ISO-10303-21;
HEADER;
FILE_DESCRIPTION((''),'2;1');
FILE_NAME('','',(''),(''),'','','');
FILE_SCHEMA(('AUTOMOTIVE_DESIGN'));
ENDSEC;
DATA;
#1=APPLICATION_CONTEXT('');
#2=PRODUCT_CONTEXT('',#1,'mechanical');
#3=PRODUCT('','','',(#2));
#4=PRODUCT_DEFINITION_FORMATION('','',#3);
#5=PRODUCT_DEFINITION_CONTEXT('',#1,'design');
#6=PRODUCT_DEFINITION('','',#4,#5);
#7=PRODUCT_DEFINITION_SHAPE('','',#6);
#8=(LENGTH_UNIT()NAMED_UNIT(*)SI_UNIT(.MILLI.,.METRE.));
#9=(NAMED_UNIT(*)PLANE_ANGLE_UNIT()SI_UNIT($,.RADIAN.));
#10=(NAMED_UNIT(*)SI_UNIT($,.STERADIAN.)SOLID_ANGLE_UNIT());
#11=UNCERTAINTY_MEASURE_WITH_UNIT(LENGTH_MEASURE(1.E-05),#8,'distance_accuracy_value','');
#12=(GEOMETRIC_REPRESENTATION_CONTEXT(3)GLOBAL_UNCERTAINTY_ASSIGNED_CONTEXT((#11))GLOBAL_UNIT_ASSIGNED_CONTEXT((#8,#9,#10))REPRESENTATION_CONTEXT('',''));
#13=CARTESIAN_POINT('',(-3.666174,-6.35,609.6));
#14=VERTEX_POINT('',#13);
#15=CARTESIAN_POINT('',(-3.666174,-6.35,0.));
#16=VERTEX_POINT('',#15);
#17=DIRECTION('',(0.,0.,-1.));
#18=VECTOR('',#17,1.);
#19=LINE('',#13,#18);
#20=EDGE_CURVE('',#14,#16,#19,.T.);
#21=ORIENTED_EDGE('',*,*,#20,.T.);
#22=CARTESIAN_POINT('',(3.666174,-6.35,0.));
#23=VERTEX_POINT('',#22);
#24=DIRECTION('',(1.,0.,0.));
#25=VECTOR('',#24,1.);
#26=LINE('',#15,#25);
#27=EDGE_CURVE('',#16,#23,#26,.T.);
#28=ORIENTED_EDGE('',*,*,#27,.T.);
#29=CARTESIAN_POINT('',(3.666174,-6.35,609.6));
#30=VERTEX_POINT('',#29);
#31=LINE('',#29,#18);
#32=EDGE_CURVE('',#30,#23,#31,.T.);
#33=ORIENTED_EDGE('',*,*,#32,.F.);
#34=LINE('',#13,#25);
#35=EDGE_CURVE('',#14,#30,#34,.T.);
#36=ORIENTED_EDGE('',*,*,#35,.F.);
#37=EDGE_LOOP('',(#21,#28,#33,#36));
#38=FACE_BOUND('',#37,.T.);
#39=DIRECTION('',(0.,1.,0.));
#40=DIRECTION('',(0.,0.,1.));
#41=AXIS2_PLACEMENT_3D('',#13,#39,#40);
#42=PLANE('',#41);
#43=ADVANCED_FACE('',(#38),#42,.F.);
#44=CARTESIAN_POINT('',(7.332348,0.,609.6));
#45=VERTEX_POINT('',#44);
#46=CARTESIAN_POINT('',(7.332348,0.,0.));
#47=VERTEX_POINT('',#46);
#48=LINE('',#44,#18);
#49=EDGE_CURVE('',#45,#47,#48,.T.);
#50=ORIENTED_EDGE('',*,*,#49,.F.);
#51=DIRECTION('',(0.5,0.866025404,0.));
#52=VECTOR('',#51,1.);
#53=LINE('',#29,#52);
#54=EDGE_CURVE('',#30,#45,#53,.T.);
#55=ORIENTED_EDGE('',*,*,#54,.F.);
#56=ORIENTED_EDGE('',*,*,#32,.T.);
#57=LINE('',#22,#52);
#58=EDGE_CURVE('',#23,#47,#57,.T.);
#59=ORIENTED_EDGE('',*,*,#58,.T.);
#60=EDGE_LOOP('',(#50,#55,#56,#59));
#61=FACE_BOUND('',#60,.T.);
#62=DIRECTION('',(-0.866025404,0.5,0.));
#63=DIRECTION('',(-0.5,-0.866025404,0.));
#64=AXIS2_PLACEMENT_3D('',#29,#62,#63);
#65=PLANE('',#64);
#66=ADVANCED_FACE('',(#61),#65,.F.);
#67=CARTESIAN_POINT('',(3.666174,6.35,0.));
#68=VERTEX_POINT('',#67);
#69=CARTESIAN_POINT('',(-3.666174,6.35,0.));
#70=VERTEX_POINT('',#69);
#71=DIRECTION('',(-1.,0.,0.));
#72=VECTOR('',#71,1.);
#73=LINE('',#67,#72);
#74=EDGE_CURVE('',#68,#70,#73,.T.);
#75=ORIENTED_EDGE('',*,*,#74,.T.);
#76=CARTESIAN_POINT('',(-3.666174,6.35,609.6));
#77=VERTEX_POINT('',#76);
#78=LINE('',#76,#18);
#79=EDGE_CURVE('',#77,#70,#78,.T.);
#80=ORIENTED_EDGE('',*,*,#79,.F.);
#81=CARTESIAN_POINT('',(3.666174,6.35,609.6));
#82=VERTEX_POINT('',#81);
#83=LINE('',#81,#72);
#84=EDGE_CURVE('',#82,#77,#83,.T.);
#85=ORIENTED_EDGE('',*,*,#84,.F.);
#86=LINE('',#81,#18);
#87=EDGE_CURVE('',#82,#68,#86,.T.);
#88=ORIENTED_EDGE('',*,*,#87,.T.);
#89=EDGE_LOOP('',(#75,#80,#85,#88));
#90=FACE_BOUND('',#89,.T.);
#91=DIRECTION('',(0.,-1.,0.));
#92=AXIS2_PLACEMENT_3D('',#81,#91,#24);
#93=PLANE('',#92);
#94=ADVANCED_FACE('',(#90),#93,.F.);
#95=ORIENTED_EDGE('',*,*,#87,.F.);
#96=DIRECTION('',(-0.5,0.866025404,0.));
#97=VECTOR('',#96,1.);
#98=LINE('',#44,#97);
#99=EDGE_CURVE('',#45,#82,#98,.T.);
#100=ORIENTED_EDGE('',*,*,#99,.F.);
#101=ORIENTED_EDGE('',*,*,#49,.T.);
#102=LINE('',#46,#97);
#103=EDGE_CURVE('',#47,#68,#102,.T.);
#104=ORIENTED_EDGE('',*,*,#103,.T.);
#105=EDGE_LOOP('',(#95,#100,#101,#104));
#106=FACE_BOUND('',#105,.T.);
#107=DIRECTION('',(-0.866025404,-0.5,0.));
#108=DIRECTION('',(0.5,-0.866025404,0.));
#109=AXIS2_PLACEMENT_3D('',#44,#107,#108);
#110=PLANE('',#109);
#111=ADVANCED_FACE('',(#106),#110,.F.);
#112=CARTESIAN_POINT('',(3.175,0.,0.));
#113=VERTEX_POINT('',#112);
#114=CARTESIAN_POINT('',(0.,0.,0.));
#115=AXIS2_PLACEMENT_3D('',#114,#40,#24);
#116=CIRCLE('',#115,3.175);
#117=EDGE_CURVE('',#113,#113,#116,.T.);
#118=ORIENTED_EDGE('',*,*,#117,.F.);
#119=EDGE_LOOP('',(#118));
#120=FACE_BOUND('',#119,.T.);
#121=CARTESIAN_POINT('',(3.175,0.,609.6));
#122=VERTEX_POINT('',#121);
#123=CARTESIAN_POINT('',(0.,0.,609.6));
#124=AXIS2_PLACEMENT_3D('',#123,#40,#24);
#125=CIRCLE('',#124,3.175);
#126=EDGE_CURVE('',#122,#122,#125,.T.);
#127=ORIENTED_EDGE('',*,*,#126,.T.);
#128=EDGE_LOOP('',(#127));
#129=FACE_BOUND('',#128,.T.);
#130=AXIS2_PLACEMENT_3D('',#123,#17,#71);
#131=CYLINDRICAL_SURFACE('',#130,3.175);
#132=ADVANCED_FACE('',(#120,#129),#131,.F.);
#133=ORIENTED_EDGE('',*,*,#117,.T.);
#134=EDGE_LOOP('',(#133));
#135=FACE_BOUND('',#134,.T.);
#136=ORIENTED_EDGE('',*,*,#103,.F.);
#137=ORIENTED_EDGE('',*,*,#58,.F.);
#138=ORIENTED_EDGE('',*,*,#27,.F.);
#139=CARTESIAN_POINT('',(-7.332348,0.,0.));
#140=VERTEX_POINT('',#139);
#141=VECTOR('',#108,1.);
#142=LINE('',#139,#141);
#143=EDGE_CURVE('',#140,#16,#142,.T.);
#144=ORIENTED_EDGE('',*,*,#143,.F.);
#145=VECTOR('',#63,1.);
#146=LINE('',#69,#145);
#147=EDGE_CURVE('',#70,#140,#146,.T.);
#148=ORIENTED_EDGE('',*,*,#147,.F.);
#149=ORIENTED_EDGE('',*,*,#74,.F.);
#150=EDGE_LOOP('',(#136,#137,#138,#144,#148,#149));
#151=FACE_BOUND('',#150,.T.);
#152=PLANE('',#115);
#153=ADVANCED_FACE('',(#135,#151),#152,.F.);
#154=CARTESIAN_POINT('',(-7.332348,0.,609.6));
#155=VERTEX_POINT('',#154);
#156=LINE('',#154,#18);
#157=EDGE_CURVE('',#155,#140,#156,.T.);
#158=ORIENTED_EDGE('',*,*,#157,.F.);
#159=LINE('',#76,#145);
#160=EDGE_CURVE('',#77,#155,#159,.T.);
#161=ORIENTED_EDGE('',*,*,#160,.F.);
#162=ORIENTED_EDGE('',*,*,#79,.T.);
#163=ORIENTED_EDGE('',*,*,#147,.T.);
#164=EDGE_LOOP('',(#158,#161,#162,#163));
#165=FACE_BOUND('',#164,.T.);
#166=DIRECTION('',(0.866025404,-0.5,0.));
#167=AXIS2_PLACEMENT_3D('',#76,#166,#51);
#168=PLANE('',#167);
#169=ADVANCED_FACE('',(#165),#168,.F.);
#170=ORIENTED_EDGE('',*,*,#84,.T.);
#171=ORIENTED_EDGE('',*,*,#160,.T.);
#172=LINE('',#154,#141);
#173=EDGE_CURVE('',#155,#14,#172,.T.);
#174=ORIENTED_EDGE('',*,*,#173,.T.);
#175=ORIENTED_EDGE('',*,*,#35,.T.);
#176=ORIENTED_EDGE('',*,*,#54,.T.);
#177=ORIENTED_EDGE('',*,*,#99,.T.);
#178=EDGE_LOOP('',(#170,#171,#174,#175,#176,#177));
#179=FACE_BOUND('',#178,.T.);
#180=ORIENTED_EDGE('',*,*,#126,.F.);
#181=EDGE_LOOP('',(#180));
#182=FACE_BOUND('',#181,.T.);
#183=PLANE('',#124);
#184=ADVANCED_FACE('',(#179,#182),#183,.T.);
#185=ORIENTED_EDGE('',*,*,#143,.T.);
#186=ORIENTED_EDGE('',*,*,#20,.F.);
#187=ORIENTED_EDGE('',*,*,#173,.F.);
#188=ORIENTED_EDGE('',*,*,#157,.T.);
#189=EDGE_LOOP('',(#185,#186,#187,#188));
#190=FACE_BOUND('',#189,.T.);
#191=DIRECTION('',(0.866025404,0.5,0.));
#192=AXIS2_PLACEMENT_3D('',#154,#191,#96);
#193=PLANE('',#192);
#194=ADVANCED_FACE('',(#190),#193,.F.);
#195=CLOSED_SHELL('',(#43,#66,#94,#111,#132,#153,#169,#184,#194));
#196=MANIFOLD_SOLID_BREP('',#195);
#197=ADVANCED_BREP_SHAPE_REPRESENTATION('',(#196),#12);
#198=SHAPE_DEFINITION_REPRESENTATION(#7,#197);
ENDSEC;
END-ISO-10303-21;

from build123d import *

# Parameters (mm, degrees)
SKETCH1_R           = 3.175
BOSS_EXTRUDE1_DEPTH = 609.6


with BuildPart() as part:
    # Sketch1 → Boss-Extrude1 (new body)
    with BuildSketch(Plane.XY):
        Polygon((-3.666174209, 6.35), (-7.332348419, 0), (-3.666174209, -6.35), (3.666174209, -6.35), (7.332348419, 0), (3.666174209, 6.35), align=None)
        Circle(SKETCH1_R, mode=Mode.SUBTRACT)
    extrude(amount=BOSS_EXTRUDE1_DEPTH)


solid = part.part
